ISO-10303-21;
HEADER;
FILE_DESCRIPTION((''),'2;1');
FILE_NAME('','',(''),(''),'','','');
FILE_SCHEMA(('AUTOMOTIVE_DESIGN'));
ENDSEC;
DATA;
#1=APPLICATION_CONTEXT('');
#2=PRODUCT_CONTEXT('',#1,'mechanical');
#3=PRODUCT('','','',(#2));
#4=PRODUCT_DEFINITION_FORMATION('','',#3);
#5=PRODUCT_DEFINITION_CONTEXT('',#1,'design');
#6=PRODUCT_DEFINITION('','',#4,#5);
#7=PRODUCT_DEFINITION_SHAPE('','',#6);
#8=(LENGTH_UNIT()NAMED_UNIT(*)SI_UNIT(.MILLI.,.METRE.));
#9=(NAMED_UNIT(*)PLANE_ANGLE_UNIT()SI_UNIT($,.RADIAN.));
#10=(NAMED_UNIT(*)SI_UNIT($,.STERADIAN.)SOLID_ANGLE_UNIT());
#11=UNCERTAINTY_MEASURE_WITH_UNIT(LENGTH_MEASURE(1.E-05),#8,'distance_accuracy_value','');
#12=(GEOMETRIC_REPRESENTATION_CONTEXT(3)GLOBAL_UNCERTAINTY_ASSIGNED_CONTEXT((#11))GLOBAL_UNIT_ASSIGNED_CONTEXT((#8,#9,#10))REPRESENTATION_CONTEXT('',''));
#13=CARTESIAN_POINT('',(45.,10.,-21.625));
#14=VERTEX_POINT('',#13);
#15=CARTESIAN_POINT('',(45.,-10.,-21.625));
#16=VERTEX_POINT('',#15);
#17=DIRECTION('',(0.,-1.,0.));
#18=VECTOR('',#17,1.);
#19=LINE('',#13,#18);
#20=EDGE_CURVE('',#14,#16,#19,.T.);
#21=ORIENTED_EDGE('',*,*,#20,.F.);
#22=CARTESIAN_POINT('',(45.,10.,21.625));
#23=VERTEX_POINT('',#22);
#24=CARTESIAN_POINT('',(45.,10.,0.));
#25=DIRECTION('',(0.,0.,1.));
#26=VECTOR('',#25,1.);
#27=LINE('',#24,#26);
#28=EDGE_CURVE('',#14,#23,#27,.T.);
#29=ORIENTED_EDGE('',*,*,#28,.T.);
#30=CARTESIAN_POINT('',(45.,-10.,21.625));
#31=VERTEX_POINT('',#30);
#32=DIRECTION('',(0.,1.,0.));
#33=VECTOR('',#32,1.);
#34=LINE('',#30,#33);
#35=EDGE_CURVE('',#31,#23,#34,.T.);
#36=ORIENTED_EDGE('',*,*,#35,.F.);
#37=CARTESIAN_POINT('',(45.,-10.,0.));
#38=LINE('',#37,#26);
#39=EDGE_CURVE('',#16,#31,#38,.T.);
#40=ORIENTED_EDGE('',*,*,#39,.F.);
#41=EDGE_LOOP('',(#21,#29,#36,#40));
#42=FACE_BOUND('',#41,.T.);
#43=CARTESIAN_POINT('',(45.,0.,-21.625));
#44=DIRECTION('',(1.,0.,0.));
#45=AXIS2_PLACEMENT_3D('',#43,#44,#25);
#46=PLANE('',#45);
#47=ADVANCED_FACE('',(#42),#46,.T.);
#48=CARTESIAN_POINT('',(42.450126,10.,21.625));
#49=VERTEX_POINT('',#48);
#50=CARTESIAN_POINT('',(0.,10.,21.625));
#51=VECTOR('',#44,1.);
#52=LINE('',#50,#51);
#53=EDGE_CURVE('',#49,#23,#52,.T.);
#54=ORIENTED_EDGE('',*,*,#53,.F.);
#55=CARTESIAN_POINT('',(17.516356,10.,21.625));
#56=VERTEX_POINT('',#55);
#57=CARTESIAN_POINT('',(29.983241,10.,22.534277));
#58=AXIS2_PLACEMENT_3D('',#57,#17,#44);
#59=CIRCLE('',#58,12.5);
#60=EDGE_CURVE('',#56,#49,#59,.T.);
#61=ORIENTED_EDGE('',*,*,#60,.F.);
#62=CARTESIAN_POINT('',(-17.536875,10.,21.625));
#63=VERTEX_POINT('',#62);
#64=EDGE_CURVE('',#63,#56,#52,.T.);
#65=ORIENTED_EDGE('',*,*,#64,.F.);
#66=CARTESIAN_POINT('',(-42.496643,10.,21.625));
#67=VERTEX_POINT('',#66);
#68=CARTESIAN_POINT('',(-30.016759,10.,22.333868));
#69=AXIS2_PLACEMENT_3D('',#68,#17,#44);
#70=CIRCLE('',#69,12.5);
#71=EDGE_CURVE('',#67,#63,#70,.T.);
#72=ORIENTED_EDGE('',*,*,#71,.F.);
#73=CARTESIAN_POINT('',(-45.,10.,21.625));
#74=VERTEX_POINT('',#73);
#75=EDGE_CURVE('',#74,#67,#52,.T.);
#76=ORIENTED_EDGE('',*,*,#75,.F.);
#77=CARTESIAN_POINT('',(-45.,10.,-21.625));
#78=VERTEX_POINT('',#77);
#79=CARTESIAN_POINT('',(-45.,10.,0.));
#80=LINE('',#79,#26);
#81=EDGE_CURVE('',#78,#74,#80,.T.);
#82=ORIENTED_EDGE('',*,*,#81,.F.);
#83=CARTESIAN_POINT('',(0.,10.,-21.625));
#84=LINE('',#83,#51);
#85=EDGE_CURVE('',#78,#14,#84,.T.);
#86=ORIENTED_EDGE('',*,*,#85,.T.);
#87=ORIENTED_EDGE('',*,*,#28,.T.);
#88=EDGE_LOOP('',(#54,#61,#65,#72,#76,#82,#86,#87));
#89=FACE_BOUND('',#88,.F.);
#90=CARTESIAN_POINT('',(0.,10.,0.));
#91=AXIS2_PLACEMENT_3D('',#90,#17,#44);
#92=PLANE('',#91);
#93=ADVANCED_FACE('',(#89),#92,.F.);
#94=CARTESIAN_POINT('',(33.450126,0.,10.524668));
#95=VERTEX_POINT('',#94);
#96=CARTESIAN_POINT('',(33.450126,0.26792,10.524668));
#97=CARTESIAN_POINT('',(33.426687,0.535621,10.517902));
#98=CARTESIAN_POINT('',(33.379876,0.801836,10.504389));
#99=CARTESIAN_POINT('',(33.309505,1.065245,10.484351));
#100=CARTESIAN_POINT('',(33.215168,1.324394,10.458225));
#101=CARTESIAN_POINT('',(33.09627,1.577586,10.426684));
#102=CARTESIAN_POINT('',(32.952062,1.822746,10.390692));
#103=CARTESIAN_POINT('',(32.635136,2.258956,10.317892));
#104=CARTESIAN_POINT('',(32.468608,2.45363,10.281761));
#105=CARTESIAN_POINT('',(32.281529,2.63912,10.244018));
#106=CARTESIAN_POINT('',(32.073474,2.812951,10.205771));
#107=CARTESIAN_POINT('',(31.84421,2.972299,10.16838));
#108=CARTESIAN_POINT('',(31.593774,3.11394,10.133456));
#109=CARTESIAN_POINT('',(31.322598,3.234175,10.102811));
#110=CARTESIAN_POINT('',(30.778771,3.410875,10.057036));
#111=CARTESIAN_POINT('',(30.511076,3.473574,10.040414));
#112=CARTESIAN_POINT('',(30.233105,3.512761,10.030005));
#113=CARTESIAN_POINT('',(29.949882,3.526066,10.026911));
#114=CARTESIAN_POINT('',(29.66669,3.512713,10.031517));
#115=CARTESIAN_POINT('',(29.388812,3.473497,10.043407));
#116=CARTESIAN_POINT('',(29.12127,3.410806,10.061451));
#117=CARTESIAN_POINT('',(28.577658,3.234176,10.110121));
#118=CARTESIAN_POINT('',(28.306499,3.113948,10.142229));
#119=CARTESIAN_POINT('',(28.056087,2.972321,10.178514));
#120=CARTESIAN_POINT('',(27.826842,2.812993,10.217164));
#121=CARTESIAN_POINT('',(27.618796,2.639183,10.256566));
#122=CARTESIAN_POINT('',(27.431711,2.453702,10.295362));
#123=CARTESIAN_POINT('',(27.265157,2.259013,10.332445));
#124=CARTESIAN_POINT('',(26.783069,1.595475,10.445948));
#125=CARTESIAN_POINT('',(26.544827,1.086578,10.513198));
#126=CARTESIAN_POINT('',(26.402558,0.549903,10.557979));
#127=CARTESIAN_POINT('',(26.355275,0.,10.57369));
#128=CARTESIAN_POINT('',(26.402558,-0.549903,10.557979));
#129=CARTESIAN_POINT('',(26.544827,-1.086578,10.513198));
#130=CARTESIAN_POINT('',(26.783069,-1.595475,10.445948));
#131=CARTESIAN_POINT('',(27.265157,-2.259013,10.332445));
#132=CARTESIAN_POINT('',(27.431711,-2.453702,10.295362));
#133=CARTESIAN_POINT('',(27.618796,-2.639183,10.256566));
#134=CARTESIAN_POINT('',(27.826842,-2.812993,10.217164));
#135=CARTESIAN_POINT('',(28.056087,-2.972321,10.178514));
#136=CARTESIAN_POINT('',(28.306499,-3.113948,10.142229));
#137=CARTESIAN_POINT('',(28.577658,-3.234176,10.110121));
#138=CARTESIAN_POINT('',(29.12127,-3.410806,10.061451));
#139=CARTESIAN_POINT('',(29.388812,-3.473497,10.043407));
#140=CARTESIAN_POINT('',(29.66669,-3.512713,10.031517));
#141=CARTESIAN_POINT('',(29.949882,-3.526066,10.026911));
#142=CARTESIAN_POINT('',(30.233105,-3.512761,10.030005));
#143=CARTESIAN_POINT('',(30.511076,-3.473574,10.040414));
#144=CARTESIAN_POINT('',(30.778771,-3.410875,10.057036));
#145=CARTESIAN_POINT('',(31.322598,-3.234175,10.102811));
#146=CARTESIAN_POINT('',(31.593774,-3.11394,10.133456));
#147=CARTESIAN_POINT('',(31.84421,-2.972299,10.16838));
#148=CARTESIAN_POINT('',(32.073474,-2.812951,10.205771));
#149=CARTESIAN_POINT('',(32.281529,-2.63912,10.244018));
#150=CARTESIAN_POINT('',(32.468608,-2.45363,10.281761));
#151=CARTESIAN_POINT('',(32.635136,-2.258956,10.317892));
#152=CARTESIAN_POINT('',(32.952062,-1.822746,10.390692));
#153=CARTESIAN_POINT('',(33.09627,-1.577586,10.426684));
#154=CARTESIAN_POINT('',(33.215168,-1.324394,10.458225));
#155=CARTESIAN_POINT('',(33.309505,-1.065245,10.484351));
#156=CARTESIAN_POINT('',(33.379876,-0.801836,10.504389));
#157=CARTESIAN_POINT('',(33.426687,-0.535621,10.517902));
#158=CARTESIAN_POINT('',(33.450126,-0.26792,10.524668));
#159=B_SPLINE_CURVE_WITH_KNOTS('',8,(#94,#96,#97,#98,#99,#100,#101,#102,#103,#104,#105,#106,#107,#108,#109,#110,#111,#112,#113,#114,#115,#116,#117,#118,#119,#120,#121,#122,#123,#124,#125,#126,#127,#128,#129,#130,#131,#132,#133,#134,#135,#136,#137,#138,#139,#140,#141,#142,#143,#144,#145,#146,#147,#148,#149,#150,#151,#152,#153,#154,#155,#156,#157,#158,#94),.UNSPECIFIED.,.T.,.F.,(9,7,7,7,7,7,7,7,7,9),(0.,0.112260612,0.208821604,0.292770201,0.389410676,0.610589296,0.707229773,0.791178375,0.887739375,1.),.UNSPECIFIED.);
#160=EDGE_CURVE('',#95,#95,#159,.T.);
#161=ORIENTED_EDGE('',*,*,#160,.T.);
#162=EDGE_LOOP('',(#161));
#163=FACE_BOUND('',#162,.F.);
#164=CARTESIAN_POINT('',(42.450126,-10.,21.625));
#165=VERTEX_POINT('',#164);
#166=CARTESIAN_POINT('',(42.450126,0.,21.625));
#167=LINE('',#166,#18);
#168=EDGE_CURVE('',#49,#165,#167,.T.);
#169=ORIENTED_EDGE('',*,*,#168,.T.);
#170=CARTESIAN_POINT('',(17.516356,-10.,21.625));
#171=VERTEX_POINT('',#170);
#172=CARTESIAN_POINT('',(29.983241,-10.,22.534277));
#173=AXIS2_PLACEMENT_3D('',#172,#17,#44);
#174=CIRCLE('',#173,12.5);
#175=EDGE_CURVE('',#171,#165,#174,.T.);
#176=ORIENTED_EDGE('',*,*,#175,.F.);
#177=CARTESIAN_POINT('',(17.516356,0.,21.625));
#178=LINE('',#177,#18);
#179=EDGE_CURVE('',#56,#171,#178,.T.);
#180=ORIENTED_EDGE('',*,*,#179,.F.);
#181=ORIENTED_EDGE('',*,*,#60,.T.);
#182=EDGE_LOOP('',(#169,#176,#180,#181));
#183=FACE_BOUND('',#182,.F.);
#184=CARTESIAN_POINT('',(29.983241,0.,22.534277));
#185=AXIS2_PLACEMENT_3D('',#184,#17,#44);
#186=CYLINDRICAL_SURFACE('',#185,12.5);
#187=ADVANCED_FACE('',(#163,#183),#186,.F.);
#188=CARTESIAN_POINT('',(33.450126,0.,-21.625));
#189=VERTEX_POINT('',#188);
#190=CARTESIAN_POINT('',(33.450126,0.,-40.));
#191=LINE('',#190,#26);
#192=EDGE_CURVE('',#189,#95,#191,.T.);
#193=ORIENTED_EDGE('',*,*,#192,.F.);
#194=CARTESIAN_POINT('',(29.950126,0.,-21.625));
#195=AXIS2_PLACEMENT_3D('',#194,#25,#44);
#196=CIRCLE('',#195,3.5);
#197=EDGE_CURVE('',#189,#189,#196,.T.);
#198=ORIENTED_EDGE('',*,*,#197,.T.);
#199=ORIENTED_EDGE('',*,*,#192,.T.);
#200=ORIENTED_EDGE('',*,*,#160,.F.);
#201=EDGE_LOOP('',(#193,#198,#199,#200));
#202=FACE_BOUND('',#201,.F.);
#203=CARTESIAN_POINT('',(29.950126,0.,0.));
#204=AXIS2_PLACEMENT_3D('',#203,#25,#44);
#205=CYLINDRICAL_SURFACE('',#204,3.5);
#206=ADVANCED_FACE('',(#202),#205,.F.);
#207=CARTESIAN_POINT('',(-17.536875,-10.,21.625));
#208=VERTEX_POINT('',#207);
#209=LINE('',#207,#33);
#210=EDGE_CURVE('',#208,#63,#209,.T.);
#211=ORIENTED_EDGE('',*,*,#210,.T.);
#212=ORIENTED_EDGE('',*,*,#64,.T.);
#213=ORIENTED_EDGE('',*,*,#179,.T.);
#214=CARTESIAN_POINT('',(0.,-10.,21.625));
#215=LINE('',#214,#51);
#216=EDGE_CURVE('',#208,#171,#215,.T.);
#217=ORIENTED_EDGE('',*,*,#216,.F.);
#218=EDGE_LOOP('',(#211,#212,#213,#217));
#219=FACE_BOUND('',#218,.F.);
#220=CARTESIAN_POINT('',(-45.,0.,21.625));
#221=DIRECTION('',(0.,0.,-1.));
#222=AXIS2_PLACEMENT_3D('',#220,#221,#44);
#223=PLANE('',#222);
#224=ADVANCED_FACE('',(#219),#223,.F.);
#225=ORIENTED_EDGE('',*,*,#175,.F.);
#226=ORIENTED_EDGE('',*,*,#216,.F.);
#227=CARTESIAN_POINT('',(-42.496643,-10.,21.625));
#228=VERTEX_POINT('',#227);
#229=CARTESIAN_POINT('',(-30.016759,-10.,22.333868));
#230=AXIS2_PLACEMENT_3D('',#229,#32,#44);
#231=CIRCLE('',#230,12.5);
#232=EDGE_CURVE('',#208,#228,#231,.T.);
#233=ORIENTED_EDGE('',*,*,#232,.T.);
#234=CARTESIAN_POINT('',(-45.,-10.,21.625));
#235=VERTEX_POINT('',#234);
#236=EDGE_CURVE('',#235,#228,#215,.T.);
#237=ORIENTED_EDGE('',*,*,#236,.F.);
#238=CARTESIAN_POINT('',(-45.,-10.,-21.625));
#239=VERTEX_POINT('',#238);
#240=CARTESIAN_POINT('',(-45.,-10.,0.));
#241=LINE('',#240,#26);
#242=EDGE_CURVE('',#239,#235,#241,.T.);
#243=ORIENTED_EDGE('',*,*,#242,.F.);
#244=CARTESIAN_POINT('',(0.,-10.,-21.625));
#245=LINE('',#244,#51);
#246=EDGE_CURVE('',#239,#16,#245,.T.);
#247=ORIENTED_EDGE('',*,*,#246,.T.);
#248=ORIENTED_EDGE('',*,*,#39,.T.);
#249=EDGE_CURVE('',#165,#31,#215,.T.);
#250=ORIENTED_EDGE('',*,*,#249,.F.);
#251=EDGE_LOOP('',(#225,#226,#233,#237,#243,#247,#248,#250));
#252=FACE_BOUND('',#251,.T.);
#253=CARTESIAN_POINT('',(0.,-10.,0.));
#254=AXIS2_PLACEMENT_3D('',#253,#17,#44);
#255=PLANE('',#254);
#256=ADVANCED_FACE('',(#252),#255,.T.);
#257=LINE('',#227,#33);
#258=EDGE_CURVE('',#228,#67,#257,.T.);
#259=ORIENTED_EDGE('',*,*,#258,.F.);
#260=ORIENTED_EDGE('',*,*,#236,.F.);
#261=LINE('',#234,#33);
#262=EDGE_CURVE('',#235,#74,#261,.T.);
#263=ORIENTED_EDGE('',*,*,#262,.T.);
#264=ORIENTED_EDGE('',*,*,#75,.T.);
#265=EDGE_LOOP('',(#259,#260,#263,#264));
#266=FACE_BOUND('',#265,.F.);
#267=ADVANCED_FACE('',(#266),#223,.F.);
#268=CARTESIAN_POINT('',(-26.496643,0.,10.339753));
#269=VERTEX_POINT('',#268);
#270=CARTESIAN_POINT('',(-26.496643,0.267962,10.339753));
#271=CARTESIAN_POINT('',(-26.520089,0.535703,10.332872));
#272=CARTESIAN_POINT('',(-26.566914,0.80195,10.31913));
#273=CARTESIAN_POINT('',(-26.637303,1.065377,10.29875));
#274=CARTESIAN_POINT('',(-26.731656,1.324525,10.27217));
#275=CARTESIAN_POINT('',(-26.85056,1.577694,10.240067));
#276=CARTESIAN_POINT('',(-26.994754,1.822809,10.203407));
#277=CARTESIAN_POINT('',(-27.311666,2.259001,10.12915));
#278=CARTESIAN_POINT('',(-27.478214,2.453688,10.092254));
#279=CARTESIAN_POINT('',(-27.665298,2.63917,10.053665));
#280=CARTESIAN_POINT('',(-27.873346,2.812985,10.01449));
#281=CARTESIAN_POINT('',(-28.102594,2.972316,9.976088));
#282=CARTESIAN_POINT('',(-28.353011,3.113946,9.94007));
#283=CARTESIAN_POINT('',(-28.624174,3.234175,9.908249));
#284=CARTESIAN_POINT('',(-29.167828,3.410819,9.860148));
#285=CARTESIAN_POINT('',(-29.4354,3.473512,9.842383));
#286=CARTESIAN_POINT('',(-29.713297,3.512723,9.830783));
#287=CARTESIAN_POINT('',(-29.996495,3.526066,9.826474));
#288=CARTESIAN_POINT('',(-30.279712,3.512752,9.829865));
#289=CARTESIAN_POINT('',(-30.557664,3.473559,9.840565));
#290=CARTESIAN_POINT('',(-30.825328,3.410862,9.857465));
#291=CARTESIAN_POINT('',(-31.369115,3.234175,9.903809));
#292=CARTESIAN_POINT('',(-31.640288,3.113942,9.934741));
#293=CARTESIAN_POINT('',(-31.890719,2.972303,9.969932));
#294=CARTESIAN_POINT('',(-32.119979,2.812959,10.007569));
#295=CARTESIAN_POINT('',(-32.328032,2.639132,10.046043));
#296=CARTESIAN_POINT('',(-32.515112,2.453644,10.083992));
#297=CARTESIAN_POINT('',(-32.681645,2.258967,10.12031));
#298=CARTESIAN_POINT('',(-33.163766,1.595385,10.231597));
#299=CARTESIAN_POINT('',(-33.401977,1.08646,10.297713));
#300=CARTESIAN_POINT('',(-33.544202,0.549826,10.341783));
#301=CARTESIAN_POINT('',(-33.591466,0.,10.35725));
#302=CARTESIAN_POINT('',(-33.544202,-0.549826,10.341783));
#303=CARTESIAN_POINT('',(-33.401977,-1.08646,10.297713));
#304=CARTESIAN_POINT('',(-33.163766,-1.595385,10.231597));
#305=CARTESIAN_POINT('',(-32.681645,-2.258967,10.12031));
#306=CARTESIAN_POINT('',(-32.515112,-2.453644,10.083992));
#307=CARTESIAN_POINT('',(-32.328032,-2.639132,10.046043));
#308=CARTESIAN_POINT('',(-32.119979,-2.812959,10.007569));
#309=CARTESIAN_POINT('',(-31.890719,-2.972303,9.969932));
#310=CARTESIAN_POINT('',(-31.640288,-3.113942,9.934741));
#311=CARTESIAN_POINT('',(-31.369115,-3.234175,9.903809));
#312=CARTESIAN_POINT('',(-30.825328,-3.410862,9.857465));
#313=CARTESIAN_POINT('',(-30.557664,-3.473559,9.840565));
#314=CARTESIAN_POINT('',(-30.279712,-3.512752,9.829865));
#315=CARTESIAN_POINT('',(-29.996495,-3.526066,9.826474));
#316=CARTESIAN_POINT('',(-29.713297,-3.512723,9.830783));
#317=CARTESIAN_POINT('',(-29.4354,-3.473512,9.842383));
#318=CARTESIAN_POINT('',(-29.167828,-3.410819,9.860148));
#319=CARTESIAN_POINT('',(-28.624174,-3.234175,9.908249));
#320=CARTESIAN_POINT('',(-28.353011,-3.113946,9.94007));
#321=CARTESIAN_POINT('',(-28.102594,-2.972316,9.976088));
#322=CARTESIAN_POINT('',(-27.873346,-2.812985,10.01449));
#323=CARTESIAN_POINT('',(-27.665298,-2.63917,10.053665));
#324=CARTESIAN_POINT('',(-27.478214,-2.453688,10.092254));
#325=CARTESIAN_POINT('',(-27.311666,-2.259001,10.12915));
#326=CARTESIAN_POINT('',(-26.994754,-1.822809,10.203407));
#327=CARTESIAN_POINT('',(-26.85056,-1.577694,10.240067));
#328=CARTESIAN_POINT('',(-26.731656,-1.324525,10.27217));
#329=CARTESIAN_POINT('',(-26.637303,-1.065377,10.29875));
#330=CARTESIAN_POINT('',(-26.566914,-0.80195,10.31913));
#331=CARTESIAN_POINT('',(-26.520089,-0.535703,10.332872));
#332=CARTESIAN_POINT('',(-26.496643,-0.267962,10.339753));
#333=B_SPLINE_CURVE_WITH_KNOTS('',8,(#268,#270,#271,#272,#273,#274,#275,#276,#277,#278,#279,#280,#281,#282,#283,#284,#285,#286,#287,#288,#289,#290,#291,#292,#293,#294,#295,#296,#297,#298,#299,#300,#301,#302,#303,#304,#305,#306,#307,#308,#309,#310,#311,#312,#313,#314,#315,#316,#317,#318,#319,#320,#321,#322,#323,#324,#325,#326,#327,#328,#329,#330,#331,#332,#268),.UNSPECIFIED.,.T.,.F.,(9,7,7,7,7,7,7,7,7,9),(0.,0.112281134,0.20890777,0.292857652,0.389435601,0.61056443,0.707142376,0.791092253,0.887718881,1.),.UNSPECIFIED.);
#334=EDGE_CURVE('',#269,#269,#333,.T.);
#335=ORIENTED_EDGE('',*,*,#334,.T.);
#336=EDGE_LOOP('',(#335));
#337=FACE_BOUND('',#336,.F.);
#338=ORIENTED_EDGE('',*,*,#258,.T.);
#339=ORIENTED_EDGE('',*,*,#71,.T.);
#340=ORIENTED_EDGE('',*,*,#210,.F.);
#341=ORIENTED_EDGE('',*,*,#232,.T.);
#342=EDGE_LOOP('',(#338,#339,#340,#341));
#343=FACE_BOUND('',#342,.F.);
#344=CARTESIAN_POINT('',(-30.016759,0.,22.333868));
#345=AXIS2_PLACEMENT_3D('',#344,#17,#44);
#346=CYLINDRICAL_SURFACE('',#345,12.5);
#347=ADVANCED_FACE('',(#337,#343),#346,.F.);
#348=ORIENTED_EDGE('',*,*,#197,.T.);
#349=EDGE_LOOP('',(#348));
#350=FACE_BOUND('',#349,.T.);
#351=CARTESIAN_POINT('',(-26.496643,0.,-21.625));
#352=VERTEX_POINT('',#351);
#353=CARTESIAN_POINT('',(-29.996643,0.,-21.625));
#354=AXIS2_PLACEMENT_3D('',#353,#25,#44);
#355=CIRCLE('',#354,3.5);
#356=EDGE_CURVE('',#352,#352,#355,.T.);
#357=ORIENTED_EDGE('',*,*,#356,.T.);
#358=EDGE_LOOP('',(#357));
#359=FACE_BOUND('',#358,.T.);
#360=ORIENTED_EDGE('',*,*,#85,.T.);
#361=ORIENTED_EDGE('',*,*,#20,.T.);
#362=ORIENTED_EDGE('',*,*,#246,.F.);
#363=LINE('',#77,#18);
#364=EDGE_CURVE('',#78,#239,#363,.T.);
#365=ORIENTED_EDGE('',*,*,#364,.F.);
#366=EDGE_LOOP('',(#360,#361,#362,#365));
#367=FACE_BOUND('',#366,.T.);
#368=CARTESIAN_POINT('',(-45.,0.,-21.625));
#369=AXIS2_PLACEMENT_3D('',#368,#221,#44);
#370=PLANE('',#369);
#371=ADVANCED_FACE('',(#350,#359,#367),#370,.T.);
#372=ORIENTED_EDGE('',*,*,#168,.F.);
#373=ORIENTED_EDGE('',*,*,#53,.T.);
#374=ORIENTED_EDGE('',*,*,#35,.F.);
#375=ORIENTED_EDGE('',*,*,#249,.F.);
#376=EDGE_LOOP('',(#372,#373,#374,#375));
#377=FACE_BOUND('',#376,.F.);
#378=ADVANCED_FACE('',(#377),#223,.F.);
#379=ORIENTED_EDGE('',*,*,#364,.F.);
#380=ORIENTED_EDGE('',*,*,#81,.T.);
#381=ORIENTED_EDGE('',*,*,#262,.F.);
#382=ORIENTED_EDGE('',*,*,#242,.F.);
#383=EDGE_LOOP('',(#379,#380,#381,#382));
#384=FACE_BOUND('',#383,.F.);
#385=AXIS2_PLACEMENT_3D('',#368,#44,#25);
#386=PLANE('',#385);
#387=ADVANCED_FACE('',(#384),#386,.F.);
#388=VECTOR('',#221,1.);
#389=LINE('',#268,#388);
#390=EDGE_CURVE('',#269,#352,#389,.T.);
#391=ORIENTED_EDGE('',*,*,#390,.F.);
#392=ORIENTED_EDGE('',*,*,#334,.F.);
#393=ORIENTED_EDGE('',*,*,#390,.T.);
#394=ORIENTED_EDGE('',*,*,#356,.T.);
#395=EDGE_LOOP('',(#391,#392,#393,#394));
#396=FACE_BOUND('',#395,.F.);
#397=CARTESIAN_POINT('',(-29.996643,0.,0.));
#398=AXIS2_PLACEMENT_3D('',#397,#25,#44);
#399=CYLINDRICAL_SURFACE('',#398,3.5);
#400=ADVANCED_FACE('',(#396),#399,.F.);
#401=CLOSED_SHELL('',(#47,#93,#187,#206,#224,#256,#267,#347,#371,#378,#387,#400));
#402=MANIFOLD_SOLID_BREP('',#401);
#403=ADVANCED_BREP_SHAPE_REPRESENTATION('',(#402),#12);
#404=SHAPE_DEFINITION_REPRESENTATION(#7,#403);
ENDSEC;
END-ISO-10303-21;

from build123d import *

# Parameters (mm, degrees)
F0_W     = 90
F0_H     = 43.25
F1_DEPTH = 10
F2_R     = 12.5
F3_DEPTH = 15
F4_R     = 3.5
F5_DEPTH = 40


with BuildPart() as f1:
    # F0 (on Front) → F1 (new body, symmetric)
    with BuildSketch(Plane.XZ):
        Rectangle(F0_W, F0_H)
    extrude(amount=F1_DEPTH, both=True)

    # F2 (on Front) → F3 (cut, symmetric)
    with BuildSketch(Plane.XZ):
        with Locations((-30.016759, 22.333868)):
            Circle(F2_R)
        with Locations((29.983241, 22.534277)):
            Circle(F2_R)
    extrude(amount=F3_DEPTH, both=True, mode=Mode.SUBTRACT)

    # F4 (on Top) → F5 (cut, symmetric)
    with BuildSketch(Plane.XY):
        with Locations((-29.996643, 0)):
            Circle(F4_R)
        with Locations((29.950126, 0)):
            Circle(F4_R)
    extrude(amount=F5_DEPTH, both=True, mode=Mode.SUBTRACT)


solid = f1.part
